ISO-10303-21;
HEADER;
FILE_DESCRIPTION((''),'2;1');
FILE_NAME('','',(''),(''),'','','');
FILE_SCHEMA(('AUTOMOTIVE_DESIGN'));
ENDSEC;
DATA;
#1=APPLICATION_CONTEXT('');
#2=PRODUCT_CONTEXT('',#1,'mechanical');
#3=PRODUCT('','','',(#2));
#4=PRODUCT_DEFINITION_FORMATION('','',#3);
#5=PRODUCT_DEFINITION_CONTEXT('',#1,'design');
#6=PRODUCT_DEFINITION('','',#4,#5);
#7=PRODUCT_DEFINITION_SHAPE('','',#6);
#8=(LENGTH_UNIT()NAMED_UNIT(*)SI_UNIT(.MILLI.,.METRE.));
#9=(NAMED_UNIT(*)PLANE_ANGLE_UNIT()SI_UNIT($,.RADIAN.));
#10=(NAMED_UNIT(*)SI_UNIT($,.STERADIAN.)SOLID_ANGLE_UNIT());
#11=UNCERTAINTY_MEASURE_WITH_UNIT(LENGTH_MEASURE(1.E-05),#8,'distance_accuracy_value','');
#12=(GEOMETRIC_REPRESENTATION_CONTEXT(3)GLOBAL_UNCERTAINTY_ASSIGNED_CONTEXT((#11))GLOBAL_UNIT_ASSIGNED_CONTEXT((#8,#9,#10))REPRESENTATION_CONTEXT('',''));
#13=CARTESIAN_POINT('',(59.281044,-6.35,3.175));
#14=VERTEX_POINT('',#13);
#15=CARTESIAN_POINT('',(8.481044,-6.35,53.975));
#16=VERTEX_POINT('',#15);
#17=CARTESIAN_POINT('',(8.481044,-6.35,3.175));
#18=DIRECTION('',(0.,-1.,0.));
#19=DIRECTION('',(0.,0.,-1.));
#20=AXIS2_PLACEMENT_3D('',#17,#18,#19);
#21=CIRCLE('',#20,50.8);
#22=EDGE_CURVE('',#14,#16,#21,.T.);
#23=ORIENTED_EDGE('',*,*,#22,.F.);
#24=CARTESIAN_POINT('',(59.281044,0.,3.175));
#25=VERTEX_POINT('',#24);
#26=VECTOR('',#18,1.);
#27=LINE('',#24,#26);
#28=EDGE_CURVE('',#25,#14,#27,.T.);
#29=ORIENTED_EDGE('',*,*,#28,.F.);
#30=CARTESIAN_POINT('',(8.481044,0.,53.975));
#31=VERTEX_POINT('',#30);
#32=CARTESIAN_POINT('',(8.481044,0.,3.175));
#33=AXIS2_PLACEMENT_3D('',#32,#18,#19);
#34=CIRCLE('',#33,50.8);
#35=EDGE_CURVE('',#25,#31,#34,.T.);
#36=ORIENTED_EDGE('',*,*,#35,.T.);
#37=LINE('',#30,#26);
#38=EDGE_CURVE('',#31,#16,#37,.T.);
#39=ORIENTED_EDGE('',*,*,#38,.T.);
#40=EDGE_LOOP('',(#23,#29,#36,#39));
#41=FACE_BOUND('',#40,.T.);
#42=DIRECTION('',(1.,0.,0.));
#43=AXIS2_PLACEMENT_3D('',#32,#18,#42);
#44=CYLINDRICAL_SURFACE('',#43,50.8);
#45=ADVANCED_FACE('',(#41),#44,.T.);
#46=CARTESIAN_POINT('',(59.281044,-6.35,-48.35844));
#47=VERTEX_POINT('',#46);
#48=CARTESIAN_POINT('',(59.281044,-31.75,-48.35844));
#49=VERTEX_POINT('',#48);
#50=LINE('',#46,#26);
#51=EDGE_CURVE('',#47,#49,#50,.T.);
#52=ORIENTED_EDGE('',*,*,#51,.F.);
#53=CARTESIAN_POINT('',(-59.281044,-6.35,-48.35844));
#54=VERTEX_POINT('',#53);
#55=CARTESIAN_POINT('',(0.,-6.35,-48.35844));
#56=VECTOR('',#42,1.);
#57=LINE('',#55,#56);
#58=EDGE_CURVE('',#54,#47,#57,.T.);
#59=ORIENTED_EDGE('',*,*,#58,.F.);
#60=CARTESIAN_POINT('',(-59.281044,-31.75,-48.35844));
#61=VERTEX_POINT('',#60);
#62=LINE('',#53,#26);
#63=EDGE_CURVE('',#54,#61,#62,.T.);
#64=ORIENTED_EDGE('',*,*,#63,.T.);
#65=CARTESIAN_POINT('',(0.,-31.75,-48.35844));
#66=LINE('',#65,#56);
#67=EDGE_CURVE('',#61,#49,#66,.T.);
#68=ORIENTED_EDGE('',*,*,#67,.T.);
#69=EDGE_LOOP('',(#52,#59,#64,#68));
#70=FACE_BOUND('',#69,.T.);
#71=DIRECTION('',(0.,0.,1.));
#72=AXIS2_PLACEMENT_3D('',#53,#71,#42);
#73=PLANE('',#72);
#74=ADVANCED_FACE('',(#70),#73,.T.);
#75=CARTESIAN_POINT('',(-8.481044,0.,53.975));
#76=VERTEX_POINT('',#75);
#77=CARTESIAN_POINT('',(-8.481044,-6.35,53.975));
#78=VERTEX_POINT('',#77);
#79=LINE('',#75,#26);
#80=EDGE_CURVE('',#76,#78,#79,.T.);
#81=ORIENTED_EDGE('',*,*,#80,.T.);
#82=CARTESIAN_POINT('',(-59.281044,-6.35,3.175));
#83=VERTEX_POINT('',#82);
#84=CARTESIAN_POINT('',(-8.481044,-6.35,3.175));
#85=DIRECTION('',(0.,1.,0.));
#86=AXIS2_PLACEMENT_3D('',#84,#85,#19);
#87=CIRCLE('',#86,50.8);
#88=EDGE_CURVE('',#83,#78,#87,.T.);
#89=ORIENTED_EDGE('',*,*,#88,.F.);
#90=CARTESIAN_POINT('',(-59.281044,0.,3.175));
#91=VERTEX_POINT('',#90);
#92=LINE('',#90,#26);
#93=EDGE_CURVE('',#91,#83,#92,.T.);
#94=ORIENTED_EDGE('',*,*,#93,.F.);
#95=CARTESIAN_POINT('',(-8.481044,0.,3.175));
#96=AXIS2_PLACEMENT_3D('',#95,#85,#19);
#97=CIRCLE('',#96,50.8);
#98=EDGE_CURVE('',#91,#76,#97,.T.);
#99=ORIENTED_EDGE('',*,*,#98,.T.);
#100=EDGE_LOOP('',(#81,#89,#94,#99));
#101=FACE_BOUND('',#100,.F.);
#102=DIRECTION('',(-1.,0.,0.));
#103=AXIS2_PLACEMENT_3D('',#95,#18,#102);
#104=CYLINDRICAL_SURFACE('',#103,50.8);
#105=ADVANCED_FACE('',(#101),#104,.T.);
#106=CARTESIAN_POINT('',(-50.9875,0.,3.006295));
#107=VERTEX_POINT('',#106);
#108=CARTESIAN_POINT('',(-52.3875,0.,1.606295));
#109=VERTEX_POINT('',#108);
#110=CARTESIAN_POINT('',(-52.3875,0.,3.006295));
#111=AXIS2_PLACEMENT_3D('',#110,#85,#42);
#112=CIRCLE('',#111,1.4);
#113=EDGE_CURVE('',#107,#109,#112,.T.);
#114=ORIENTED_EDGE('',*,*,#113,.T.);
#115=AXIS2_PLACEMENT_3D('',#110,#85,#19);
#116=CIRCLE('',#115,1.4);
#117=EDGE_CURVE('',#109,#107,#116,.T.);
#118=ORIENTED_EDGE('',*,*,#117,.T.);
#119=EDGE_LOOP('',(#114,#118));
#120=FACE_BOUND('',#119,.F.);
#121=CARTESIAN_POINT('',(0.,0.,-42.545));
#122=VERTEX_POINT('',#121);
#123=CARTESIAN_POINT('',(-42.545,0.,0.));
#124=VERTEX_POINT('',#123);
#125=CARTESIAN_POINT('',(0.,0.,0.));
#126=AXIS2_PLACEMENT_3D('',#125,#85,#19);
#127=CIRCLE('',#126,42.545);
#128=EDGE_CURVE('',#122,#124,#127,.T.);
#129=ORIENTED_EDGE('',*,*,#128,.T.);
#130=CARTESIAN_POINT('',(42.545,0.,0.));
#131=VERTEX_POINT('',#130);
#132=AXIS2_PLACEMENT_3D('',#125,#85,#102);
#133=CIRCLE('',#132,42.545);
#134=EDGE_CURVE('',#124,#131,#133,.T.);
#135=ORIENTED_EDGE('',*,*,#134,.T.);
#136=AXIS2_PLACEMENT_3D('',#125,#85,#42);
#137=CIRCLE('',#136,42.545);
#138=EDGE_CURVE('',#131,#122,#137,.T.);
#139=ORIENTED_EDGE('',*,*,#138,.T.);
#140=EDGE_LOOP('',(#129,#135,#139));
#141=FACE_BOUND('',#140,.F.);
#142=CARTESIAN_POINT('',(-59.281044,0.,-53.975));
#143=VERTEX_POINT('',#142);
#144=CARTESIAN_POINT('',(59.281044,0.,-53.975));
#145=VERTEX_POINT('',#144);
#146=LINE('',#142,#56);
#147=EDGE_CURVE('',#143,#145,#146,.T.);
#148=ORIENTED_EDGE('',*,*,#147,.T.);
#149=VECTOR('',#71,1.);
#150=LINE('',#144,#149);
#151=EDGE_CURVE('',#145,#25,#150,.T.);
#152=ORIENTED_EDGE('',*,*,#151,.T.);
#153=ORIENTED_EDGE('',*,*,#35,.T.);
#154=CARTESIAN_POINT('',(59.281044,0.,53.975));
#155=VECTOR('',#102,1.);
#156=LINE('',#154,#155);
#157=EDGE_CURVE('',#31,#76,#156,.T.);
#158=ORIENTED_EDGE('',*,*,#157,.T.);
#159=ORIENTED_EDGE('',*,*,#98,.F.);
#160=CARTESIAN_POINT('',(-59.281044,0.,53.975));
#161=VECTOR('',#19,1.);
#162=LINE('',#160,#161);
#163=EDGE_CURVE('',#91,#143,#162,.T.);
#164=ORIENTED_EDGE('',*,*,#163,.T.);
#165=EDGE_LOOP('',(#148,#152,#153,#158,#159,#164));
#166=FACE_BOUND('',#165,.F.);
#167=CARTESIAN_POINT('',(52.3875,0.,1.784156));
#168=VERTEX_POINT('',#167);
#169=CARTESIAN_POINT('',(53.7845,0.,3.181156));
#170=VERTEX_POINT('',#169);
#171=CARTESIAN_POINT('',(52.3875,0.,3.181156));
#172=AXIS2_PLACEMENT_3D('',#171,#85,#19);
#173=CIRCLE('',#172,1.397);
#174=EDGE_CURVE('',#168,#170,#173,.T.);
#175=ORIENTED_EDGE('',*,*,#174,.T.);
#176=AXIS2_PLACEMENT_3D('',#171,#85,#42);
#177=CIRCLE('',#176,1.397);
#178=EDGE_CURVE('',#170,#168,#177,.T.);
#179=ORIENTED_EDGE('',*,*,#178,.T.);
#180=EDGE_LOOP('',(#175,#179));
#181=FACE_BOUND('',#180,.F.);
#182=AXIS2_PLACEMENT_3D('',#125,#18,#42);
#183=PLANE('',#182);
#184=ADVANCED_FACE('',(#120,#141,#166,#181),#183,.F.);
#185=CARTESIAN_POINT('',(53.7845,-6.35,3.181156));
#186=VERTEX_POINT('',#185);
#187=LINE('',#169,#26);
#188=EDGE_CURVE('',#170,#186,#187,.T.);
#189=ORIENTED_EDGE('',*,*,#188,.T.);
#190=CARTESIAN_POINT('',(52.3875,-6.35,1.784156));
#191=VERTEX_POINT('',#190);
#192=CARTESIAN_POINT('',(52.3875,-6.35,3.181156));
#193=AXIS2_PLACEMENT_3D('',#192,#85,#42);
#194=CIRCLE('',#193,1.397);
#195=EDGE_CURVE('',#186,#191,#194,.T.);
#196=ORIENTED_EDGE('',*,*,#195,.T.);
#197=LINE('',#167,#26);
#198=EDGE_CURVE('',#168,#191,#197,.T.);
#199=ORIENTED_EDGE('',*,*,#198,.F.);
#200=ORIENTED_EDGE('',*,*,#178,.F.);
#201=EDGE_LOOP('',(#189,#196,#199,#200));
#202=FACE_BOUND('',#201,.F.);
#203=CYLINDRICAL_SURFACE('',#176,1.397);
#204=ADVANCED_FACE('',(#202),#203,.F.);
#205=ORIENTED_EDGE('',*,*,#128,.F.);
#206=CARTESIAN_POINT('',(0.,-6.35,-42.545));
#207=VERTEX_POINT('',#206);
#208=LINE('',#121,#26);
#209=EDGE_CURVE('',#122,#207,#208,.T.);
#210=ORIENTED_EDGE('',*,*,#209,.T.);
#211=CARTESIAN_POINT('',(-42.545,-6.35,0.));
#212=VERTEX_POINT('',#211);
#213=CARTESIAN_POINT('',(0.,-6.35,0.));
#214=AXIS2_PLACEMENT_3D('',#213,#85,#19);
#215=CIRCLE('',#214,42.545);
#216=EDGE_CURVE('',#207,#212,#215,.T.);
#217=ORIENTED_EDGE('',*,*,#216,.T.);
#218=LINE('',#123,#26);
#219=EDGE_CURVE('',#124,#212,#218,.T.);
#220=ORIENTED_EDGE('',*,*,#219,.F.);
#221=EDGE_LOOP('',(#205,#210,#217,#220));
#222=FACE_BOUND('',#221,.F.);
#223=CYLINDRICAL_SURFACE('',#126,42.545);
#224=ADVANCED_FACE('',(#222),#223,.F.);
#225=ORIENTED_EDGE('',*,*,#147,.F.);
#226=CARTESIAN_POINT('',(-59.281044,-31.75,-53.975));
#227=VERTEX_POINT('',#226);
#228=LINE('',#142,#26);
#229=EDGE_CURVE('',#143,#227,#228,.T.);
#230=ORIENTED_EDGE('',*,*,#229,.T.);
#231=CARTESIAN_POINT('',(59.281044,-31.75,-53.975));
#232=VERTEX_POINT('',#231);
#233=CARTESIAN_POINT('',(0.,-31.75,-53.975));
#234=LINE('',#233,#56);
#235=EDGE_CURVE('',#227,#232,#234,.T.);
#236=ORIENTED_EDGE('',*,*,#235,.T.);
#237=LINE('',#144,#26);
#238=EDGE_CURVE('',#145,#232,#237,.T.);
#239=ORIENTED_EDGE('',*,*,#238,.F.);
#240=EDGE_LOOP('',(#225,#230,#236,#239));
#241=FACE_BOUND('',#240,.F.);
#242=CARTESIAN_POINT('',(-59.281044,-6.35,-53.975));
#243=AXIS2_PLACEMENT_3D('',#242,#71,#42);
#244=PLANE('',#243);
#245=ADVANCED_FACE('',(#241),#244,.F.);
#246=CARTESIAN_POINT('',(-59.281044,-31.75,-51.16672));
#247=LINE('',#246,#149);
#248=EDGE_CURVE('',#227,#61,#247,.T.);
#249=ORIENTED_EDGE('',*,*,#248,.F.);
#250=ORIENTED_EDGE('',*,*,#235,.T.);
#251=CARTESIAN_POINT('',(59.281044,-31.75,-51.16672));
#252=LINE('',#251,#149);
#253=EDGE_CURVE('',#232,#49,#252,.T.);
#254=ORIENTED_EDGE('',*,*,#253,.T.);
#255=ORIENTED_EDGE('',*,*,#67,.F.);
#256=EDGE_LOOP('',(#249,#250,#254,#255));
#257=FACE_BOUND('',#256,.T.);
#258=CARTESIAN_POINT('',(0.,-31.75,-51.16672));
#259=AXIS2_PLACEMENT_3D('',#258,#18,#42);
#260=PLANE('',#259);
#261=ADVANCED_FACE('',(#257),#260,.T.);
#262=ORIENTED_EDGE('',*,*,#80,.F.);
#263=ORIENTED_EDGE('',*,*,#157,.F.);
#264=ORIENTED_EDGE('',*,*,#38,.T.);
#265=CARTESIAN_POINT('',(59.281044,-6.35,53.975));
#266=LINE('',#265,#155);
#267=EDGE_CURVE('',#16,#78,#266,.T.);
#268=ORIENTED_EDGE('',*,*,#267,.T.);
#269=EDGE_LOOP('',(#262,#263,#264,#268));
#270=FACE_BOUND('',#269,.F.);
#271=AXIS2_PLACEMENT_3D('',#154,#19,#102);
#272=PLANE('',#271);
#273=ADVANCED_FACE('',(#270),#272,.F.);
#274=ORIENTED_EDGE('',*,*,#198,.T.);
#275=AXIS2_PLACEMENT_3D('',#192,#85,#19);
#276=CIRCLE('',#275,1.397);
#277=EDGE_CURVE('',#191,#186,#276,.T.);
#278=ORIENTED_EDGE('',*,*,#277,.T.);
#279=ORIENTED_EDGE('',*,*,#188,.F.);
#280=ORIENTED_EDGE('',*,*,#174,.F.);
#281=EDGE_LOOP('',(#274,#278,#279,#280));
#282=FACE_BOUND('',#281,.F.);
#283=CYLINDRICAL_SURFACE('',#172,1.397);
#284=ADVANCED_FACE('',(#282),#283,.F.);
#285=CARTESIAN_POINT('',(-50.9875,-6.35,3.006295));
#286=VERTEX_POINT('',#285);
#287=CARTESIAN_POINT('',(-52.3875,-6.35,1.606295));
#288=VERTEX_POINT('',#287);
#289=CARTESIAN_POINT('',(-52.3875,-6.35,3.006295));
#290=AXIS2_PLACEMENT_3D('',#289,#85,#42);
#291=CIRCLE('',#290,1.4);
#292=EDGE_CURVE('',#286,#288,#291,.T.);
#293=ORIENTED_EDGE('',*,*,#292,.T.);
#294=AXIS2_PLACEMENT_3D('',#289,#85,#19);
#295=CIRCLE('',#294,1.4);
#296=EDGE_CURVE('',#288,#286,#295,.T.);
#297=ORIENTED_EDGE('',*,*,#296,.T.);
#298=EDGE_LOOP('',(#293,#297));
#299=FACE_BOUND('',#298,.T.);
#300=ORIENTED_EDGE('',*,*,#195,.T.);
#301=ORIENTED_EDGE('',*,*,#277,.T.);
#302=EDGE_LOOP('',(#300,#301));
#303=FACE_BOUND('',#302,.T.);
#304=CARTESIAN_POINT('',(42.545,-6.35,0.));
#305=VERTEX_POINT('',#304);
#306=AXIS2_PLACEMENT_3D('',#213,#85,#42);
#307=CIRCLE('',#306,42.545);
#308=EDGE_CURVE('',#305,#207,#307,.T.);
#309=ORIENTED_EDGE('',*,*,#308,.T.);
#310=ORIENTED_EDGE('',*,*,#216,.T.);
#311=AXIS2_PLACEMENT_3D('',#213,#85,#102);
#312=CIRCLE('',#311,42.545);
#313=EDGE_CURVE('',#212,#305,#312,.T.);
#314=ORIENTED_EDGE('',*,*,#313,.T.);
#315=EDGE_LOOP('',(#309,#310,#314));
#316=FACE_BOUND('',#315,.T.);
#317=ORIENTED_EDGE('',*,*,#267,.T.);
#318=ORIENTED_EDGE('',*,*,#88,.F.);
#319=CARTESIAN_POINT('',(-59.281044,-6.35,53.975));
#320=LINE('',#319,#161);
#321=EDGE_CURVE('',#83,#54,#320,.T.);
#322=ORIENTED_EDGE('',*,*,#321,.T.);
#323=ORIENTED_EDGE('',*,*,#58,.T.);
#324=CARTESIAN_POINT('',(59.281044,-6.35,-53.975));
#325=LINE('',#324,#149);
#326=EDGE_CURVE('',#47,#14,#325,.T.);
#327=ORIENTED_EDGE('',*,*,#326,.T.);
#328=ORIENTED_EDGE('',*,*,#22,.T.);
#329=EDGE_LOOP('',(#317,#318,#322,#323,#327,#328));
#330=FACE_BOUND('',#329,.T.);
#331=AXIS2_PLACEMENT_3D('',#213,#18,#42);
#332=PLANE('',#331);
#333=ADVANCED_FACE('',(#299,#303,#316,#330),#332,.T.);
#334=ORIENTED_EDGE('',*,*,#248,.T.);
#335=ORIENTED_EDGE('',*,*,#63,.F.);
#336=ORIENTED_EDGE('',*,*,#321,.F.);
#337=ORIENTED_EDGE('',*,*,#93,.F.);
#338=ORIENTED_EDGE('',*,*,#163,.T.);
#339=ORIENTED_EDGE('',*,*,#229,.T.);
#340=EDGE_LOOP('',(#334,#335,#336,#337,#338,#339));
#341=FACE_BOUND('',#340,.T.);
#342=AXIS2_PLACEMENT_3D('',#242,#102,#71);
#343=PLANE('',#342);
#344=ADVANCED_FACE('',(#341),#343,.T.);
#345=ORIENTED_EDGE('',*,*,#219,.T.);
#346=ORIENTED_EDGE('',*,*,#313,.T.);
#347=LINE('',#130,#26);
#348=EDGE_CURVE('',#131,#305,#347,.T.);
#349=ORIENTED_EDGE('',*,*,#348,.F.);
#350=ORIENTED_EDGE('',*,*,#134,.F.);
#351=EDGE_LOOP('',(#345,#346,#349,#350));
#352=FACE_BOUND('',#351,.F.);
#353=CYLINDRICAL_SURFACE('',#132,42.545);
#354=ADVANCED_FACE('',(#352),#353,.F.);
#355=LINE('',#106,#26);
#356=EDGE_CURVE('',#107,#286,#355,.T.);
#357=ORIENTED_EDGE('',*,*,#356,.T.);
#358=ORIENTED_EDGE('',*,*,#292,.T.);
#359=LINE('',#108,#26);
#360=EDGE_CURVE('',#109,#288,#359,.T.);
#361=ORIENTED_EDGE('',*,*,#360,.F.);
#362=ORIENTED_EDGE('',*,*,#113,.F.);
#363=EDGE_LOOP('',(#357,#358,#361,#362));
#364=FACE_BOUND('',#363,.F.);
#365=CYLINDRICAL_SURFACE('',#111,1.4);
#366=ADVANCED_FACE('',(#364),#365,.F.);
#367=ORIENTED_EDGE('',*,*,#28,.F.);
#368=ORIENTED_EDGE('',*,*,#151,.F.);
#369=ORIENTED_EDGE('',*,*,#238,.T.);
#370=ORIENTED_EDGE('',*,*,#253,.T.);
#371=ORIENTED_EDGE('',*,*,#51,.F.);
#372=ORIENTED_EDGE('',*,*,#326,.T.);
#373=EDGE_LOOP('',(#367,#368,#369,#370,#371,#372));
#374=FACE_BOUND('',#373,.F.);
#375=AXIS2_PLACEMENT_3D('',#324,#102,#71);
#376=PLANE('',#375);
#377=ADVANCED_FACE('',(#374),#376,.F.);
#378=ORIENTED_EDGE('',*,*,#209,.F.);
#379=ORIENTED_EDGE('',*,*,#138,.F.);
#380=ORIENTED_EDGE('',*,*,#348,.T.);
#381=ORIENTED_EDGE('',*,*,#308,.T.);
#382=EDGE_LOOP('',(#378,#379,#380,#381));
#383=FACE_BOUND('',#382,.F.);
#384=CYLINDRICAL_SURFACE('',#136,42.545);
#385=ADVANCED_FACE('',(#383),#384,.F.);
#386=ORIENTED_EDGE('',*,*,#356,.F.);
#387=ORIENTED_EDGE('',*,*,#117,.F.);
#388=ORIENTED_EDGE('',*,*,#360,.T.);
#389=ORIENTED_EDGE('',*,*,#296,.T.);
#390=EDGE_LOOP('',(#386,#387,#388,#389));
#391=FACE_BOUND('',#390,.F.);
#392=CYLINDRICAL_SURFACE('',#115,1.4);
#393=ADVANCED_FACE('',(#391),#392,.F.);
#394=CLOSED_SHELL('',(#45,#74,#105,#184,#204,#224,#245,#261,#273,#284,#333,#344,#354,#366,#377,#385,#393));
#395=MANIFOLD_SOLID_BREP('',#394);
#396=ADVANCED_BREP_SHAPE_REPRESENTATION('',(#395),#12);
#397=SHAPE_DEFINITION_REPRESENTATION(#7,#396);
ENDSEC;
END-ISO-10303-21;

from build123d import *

# Parameters (mm, degrees)
F1_DEPTH = 6.35
F2_R     = 50.8
F3_W     = 118.5620874166
F3_H     = 5.6165596008
F4_DEPTH = 25.4


with BuildPart() as f1:
    # F0 (on Front) → F1 (new body)
    with BuildSketch(Plane.XZ):
        Polygon((-59.2810437083, -53.975), (0, -53.975), (59.2810437083, -53.975), (59.2810437083, 53.975), (-59.2810437083, 53.975), align=None)
        with BuildLine():
            ThreePointArc((-50.9875, 3.0062948354), (-51.3975505063, 2.0163453417), (-52.3875, 1.6062948354))
            ThreePointArc((-52.3875, 1.6062948354), (-53.3774494937, 3.996244329), (-50.9875, 3.0062948354))
        make_face(mode=Mode.SUBTRACT)
        with BuildLine():
            ThreePointArc((-42.545, 0), (0, 42.545), (42.545, 0))
            ThreePointArc((42.545, 0), (30.0838580056, -30.0838580056), (0, -42.545))
            ThreePointArc((0, -42.545), (-30.0838580056, -30.0838580056), (-42.545, 0))
        make_face(mode=Mode.SUBTRACT)
        with BuildLine():
            ThreePointArc((53.7845, 3.1811562367), (53.3753281733, 2.1933280634), (52.3875, 1.7841562367))
            ThreePointArc((52.3875, 1.7841562367), (51.3996718267, 4.16898441), (53.7845, 3.1811562367))
        make_face(mode=Mode.SUBTRACT)
    extrude(amount=F1_DEPTH)

    # F2
    f2_edges = [f1.edges().sort_by_distance(p)[0] for p in [
        (59.281044, -3.175, 53.975),
        (-59.281044, -3.175, 53.975),
    ]]
    fillet(f2_edges, radius=F2_R)

    # F3 (on face) → F4 (join)
    with BuildSketch(Plane.XZ.offset(6.35)):
        with Locations((0, -51.1667201996)):
            Rectangle(F3_W, F3_H)
    extrude(amount=F4_DEPTH)


solid = f1.part
